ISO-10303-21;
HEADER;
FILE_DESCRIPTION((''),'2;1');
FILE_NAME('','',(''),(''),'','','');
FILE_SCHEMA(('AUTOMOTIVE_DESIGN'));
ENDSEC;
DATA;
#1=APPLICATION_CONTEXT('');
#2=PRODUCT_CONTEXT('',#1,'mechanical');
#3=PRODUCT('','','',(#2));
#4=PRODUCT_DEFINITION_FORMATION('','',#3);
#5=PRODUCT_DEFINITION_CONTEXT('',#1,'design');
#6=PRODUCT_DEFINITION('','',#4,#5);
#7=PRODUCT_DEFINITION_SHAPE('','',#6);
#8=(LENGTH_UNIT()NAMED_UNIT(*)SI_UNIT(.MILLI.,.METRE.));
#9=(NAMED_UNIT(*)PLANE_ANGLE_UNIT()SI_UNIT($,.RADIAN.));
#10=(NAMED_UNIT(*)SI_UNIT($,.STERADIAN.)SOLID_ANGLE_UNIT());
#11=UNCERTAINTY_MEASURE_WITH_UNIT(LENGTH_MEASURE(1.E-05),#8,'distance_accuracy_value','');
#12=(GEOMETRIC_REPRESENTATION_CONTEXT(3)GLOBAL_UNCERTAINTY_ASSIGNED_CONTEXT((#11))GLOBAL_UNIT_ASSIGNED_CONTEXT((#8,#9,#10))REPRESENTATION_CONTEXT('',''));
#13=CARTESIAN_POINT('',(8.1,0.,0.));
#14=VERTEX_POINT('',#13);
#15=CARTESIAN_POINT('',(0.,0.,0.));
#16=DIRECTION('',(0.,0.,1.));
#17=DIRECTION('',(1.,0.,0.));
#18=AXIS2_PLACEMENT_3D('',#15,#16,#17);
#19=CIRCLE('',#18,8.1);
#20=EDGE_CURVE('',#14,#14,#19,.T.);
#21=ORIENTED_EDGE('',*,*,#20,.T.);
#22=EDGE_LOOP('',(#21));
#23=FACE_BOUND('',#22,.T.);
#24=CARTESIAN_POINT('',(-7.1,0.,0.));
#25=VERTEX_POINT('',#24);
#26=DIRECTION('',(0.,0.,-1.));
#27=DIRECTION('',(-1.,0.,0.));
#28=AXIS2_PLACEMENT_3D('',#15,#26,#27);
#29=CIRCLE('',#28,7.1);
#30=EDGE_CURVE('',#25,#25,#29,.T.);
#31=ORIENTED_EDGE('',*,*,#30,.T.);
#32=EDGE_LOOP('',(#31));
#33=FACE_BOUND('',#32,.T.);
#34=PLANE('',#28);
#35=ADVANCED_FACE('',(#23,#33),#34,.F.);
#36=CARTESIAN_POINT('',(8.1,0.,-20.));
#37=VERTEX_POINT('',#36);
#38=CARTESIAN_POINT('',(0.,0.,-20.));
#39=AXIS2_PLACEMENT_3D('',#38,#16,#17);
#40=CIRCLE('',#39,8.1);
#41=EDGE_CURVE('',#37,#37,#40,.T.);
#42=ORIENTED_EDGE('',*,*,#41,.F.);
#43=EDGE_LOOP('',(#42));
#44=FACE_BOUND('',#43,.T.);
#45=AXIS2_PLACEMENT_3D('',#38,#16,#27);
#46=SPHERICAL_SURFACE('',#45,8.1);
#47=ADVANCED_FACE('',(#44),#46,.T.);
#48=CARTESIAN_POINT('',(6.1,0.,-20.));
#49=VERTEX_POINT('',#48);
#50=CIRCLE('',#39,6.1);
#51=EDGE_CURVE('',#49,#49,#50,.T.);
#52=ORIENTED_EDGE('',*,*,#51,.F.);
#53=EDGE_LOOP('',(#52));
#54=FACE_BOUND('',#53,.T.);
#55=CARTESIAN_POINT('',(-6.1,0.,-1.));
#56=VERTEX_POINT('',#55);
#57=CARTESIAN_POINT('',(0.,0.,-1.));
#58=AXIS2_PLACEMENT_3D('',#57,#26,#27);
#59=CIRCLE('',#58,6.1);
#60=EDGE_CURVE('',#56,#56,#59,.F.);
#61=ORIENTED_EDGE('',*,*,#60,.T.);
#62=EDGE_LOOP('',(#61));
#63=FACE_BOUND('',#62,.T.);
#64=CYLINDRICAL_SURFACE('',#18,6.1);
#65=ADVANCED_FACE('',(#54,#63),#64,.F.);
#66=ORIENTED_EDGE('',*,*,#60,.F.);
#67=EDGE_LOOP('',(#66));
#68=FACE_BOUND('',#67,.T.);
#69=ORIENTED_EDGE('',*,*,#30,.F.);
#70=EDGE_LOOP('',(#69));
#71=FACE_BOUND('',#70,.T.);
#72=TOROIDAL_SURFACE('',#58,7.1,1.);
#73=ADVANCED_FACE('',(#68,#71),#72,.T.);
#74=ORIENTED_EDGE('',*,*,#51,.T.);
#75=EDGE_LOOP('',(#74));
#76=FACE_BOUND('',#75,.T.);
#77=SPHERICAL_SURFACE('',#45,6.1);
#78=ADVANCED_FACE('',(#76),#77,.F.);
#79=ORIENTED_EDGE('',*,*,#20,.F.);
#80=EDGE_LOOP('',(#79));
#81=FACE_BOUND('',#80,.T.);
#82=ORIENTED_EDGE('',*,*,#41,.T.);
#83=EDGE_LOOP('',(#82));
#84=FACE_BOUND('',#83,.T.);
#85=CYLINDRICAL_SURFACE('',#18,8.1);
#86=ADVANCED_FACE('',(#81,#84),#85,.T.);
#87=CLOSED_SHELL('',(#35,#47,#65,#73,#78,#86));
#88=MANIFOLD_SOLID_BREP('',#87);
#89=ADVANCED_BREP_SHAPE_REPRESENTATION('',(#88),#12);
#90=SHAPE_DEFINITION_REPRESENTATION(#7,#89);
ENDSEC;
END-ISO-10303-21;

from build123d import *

# Parameters (mm, degrees)
FILLET1_R = 1


with BuildPart() as part:
    # Sketch1 → Revolve1 (revolve)
    with BuildSketch(Plane(origin=(0, 0, 0), x_dir=(1, 0, 0), z_dir=(0, 1, 0))):
        with BuildLine():
            Line((-8.1, 0), (-6.1, 0))
            Line((-6.1, 0), (-6.1, 20))
            ThreePointArc((-6.1, 20), (-4.313351365, 24.313351365), (0, 26.1))
            Line((0, 26.1), (0, 28.1))
            ThreePointArc((0, 28.1), (-5.727564928, 25.727564928), (-8.1, 20))
            Line((-8.1, 20), (-8.1, 0))
        make_face()
    revolve(axis=Axis((0, 0, 0), (0, 0, -1)))

    # Fillet1
    fillet1_edges = [part.edges().sort_by_distance(p)[0] for p in [
        (6.1, 0, 0),
    ]]
    fillet(fillet1_edges, radius=FILLET1_R)


solid = part.part
